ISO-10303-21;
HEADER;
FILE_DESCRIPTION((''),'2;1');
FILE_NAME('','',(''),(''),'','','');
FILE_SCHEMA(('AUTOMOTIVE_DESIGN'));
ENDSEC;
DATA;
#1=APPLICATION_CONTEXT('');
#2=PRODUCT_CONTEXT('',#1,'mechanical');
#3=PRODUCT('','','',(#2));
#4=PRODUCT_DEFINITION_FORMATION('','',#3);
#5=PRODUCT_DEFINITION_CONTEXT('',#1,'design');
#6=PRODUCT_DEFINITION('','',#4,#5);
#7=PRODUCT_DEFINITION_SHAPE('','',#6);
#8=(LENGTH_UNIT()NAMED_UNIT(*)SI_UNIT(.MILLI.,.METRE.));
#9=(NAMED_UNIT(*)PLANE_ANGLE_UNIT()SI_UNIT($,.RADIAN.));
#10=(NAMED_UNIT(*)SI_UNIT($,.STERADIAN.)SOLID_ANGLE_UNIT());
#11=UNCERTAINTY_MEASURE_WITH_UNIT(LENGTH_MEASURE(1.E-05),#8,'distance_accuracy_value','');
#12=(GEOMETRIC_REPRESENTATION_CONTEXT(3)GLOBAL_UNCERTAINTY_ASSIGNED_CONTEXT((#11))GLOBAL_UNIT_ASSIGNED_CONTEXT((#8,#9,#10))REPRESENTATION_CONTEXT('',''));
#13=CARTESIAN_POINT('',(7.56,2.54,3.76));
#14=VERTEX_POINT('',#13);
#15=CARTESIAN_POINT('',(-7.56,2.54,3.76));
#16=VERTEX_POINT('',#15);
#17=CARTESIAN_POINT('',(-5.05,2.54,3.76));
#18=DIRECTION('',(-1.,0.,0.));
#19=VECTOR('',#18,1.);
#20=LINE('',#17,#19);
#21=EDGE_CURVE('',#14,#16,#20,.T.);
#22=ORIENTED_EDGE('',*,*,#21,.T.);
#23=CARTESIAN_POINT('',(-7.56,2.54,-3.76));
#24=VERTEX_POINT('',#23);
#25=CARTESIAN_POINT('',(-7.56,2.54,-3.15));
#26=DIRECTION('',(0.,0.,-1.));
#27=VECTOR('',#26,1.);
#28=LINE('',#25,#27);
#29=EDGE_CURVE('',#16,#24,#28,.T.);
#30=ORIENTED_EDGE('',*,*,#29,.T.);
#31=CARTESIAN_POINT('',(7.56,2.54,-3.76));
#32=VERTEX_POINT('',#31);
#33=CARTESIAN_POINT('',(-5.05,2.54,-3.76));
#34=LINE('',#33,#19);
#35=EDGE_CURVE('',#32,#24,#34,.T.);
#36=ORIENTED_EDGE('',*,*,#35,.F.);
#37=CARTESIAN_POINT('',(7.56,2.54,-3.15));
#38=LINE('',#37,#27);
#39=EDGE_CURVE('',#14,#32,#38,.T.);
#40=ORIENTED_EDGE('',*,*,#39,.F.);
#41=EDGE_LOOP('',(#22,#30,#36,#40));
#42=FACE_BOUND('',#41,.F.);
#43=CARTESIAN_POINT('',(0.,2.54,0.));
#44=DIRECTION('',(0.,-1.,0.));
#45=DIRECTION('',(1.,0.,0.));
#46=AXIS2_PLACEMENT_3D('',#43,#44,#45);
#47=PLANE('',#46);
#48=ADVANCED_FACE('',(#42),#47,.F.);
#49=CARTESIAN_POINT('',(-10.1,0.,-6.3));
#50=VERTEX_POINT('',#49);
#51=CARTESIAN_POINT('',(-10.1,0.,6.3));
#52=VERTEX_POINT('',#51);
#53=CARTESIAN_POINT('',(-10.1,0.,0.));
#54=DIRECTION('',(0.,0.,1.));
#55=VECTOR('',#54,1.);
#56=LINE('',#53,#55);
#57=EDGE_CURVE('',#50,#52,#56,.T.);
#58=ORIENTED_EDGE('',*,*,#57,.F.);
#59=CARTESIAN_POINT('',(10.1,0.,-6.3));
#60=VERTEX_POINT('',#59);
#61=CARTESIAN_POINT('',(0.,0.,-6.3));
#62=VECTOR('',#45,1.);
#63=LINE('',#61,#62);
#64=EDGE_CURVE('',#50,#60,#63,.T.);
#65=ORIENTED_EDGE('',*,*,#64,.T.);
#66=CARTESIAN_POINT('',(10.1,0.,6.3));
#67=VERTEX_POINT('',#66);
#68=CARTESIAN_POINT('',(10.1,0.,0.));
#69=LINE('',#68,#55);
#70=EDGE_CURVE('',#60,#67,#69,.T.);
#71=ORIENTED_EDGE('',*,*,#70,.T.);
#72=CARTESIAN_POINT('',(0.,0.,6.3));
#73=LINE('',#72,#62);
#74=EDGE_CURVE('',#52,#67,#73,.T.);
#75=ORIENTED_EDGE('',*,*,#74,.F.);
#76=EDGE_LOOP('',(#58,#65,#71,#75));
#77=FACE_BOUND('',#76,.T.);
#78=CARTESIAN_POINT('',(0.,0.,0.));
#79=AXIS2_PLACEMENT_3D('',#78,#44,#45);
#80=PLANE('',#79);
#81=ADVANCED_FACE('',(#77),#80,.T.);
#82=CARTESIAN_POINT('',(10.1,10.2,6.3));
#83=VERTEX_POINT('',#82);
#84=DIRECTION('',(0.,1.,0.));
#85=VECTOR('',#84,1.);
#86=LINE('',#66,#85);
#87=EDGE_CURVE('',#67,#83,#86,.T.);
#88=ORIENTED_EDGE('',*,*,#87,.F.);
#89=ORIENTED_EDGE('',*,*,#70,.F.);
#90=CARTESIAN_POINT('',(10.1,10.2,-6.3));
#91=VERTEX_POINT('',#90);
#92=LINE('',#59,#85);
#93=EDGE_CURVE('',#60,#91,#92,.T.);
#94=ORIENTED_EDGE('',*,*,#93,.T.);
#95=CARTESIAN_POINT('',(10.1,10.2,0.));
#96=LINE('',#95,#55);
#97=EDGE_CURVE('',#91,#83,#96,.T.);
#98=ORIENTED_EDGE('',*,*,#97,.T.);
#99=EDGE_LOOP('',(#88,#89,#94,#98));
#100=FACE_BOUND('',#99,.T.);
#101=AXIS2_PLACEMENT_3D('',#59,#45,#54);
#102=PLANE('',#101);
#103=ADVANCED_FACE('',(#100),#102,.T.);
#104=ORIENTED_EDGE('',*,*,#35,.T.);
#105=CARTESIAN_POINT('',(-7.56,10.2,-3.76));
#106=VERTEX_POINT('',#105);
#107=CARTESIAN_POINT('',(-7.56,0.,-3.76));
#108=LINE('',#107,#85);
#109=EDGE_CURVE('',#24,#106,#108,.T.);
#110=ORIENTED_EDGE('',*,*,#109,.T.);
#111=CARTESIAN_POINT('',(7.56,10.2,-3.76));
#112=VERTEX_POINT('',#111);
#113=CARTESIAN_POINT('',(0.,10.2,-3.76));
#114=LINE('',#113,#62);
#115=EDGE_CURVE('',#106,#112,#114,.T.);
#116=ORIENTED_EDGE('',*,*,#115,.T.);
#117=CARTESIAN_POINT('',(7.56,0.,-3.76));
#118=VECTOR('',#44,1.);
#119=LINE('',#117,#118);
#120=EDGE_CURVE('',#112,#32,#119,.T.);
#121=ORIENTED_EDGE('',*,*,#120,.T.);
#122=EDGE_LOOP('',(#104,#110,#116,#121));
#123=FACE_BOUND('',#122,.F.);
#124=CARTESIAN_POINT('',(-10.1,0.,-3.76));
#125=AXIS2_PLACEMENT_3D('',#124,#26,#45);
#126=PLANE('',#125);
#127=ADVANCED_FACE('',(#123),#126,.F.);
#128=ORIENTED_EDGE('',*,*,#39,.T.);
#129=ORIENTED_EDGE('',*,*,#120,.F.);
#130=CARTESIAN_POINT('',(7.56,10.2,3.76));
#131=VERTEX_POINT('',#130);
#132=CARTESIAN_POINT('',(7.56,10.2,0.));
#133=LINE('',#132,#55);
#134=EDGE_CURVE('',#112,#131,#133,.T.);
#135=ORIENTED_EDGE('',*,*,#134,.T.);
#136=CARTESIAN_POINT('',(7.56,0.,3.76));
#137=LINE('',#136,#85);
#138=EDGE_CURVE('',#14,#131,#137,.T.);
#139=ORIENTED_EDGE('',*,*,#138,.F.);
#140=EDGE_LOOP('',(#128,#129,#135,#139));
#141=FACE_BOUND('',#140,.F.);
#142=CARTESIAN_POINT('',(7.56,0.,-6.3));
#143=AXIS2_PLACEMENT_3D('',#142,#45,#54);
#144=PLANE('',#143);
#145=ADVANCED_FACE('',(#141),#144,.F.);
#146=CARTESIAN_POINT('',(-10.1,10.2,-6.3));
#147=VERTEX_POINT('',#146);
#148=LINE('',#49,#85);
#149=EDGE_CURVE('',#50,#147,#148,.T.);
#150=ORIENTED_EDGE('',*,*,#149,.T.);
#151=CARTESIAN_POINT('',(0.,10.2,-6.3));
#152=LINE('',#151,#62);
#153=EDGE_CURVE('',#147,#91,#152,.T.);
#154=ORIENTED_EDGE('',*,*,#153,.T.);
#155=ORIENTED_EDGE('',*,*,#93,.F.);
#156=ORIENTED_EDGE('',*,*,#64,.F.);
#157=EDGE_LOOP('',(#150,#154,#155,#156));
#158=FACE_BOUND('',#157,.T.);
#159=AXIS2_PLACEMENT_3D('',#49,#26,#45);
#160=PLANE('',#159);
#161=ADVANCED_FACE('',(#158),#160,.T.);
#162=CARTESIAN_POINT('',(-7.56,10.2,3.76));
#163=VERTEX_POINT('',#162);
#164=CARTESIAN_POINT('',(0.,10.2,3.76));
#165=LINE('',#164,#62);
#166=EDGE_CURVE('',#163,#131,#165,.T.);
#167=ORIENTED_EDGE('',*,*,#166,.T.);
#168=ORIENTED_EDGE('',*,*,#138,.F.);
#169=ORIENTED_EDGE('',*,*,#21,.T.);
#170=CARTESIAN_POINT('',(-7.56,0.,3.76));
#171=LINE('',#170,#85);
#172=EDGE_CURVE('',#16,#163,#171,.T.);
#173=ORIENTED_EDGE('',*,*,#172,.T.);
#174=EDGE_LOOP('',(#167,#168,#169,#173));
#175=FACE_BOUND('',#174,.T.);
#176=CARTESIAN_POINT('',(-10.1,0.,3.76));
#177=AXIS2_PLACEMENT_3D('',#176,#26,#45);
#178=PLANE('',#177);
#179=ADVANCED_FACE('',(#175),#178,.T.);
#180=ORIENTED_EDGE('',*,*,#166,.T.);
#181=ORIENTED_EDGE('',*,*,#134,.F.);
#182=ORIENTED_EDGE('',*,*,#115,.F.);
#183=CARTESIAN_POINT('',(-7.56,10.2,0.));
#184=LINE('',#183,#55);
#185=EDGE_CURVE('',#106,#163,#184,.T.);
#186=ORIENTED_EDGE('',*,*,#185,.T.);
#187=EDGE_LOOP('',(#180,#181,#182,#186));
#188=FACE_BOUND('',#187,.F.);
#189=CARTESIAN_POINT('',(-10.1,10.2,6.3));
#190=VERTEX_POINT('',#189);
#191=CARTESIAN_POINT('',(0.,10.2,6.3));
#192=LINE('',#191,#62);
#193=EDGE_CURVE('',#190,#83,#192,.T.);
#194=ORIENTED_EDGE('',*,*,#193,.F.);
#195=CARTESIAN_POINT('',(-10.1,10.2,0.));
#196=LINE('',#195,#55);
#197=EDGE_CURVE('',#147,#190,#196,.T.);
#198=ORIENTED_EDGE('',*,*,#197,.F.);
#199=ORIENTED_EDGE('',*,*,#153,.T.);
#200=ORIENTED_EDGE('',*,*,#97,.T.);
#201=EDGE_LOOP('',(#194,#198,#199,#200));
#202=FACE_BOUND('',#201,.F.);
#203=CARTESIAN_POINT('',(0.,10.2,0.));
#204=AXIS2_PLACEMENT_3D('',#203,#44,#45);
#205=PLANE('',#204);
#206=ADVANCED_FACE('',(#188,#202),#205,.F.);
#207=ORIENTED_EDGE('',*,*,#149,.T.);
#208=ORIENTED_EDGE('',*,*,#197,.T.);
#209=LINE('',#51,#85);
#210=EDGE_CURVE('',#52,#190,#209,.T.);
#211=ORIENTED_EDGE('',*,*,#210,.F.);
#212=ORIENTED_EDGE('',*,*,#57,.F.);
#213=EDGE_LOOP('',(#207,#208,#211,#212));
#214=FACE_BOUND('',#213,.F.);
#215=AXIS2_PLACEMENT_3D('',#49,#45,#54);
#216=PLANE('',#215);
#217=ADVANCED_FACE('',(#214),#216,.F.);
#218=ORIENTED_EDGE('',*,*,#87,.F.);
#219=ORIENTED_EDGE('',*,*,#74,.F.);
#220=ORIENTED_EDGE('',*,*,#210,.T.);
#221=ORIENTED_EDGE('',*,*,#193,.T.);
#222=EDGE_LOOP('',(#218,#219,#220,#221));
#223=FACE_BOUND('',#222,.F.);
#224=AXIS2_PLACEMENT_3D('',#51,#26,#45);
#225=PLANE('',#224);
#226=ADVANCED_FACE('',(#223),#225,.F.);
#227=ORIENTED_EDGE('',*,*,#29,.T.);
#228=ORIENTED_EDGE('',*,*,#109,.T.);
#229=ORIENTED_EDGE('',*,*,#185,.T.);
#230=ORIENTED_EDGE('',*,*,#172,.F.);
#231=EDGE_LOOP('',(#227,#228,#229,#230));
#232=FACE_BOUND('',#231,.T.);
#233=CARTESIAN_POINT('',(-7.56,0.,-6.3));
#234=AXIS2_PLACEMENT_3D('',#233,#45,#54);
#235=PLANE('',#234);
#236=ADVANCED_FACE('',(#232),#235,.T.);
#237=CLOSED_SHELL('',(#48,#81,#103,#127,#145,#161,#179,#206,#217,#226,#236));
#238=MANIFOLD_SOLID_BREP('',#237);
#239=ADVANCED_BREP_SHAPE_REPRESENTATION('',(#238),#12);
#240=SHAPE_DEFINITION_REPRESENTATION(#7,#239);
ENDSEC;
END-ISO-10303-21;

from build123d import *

# Parameters (mm, degrees)
F0_W     = 20.2
F0_H     = 12.6
F1_DEPTH = 10.2
F2_T     = -2.54


with BuildPart() as f1:
    # F0 (on Front) → F1 (new body)
    with BuildSketch(Plane.XZ):
        Rectangle(F0_W, F0_H)
    extrude(amount=-F1_DEPTH)

    # F2
    f2_openings = [f1.faces().sort_by_distance(p)[0] for p in [
        (0, 10.2, 0),
    ]]
    offset(amount=F2_T, openings=f2_openings)


solid = f1.part
